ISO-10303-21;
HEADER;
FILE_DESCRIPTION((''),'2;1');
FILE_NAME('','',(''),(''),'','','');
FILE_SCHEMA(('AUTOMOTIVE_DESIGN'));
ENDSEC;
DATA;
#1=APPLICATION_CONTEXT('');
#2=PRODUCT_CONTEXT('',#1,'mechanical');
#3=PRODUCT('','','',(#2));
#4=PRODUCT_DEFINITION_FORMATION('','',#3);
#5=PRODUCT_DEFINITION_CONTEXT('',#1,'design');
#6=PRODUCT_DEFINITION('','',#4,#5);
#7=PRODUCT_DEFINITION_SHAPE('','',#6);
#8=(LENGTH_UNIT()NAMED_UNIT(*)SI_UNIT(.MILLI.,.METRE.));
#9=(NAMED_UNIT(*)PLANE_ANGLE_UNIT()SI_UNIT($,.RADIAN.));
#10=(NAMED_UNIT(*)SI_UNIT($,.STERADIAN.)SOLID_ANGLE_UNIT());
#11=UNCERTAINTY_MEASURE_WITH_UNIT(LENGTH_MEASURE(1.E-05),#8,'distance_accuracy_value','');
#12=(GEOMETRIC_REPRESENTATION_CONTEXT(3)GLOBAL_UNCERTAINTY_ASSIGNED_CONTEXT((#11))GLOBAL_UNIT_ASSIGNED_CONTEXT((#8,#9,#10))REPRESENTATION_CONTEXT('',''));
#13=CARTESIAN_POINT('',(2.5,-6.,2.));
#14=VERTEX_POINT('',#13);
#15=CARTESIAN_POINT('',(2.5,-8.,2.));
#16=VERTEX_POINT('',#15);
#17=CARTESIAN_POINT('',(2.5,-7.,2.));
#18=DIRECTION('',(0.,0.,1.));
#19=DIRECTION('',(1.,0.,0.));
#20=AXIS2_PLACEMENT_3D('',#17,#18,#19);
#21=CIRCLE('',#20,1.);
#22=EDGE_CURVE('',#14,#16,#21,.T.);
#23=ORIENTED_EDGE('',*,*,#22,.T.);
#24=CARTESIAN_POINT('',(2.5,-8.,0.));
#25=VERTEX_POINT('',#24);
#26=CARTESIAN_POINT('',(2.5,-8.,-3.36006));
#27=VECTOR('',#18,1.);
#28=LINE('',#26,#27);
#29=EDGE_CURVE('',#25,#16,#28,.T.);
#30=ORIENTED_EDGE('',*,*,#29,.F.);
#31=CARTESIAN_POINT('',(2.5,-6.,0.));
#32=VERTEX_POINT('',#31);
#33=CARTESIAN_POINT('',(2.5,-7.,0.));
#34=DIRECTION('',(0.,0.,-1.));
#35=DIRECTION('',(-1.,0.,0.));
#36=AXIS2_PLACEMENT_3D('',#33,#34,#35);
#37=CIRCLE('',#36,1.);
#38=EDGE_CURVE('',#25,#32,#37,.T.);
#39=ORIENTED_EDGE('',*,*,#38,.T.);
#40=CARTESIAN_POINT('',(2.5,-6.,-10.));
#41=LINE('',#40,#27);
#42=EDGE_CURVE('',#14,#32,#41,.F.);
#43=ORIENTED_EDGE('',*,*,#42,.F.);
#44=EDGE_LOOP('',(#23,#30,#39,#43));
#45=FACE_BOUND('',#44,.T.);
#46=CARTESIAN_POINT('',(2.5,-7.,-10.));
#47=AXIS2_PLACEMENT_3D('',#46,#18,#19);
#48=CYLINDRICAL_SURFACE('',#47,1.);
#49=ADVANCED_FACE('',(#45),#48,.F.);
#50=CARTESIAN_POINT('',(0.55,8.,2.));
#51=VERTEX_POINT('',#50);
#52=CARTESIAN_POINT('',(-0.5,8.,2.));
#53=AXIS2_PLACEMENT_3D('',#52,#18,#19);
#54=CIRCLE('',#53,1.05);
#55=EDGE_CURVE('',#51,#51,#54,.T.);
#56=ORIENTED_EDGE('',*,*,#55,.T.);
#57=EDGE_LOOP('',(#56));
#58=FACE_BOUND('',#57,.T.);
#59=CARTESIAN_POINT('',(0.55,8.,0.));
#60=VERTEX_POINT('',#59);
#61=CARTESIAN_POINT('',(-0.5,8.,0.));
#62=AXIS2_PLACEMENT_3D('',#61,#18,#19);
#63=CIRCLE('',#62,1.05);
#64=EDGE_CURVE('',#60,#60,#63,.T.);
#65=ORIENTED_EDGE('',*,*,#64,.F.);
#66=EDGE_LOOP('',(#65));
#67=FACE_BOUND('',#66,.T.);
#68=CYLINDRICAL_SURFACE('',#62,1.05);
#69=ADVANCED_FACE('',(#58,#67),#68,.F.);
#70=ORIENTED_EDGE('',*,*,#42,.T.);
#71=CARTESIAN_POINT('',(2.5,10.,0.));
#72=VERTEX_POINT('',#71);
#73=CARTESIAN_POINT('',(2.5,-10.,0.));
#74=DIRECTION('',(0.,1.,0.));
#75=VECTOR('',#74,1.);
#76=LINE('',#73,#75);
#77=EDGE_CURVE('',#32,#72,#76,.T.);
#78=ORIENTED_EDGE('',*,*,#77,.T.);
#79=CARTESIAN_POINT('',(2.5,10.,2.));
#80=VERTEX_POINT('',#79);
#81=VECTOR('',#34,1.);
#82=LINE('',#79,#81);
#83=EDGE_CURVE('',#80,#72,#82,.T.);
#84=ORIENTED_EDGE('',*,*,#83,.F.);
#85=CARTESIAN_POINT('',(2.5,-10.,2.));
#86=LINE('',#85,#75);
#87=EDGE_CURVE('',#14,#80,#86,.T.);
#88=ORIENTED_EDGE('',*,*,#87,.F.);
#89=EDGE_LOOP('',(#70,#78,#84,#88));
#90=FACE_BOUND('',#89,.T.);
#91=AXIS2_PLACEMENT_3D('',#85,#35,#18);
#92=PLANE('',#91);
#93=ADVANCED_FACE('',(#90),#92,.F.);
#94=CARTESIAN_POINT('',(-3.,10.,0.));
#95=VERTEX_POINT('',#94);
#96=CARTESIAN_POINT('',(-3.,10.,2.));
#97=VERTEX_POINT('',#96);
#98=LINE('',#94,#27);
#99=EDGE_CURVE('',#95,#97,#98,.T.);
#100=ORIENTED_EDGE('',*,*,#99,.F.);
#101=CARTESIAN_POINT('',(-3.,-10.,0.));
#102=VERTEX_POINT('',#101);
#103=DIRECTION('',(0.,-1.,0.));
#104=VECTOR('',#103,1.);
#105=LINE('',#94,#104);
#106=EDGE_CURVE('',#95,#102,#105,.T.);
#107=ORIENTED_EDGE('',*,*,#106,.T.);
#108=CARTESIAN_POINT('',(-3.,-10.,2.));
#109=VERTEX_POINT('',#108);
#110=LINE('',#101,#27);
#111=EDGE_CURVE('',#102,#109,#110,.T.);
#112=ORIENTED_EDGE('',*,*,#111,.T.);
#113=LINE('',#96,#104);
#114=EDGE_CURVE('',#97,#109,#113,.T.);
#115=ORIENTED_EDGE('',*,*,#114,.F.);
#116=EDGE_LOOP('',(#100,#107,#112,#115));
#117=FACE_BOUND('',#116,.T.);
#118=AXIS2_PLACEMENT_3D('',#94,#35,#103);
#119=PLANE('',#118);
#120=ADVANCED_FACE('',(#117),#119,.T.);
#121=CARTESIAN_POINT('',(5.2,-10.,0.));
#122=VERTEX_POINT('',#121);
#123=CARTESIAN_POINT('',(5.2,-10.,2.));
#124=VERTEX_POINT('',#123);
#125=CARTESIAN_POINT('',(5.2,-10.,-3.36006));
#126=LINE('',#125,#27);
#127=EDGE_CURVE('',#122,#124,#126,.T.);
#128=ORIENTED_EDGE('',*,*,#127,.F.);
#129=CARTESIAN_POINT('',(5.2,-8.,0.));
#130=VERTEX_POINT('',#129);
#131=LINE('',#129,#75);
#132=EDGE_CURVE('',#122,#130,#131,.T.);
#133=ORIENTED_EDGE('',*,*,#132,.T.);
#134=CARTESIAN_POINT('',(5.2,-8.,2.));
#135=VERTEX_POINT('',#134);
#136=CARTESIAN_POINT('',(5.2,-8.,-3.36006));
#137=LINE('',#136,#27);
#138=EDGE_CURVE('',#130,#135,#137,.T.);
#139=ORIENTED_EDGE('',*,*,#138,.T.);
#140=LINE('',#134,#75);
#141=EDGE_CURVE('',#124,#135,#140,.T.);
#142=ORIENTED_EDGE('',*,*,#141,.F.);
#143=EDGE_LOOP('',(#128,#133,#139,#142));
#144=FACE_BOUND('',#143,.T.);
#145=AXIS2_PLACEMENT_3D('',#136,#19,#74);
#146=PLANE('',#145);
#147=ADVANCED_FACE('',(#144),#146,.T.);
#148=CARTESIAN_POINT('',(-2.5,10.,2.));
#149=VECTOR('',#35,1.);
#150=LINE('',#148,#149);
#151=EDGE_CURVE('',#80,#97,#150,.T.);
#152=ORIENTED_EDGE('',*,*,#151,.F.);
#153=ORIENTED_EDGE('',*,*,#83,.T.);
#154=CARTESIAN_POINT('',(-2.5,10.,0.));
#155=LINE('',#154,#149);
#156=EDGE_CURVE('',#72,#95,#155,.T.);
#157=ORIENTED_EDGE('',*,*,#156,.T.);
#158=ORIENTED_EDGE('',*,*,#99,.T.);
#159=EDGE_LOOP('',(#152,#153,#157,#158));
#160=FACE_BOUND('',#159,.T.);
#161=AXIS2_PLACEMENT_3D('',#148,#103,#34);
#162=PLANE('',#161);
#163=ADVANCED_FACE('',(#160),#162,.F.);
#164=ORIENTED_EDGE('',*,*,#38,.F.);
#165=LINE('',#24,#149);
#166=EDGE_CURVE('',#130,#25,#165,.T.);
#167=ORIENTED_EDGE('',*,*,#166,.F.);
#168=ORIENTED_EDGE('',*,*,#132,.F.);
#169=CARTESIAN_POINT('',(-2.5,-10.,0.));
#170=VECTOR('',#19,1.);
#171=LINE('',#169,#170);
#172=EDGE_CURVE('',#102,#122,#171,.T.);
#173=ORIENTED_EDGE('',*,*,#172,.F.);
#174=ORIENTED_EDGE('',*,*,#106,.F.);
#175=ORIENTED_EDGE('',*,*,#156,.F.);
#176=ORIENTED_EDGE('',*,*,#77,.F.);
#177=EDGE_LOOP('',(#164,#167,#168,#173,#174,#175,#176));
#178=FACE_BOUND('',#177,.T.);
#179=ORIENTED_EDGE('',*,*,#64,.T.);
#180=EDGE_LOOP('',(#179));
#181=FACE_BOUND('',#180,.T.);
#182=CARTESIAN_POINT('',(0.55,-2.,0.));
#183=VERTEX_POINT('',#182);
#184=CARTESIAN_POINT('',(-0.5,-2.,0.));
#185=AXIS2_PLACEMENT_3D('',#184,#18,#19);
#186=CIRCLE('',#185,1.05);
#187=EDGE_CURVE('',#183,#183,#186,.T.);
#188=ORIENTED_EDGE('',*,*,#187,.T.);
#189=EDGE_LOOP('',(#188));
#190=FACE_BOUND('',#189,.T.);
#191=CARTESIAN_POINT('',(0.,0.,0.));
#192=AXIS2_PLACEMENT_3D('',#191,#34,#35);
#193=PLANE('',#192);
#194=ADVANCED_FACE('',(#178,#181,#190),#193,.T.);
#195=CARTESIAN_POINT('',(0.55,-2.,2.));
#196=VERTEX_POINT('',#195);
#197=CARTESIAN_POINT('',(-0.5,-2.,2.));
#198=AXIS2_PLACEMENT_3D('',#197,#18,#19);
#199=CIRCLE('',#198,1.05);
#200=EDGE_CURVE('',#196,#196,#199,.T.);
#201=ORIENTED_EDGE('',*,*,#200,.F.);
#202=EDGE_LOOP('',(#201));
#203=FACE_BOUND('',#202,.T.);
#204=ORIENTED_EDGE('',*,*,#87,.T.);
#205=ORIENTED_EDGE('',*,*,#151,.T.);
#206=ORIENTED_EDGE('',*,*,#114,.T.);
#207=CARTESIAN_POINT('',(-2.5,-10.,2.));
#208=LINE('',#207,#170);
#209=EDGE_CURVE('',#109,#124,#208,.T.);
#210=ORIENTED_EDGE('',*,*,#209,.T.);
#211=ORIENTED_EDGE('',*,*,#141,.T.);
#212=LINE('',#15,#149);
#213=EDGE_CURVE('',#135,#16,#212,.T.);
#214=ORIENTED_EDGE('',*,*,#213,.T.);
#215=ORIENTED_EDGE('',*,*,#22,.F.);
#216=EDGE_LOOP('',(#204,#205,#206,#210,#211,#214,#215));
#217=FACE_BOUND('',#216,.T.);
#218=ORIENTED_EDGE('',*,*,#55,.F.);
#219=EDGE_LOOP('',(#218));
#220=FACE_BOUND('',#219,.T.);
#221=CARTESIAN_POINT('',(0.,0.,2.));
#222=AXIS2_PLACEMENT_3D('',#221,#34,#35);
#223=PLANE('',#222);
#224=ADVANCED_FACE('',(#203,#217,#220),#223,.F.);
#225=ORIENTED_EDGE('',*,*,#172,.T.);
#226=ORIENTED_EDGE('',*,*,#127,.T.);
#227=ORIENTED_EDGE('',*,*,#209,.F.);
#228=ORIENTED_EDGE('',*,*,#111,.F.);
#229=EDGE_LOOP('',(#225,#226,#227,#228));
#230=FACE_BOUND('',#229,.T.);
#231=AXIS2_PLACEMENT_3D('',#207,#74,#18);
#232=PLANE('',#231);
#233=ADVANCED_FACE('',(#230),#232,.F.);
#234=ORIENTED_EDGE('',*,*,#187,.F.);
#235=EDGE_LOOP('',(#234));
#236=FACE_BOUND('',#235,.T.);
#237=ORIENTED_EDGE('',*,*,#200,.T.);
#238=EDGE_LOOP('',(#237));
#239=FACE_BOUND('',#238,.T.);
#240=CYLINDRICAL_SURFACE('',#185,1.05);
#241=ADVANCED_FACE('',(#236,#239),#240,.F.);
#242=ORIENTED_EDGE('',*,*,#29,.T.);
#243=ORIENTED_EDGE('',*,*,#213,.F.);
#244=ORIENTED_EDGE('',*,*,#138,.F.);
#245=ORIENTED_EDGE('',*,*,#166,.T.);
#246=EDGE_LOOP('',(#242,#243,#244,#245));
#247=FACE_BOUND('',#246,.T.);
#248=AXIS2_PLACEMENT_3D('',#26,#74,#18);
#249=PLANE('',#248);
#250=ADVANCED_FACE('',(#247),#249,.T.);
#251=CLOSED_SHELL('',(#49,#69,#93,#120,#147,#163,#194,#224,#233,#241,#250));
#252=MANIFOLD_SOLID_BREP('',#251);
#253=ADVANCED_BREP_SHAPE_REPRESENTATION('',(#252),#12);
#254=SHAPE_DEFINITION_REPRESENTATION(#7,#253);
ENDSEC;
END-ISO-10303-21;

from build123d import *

# Parameters (mm, degrees)
SKETCH_1_W          = 5
SKETCH_1_H          = 20
EXTRUDE_1_DEPTH     = 2
SKETCH_2_W          = 2.7
SKETCH_2_H          = 2
EXTRUDE_2_DEPTH     = 2
SKETCH_4_R          = 1.05
CUT_EXTRUDE_1_DEPTH = 2
SKETCH_5_R          = 1
CUT_EXTRUDE_2_DEPTH = 12
SKETCH_6_W          = 0.5
SKETCH_6_H          = 20
EXTRUDE_3_DEPTH     = 2


with BuildPart() as part:
    # 草图1 → 凸台-拉伸1 (new body)
    with BuildSketch(Plane.XY):
        Rectangle(SKETCH_1_W, SKETCH_1_H)
    extrude(amount=EXTRUDE_1_DEPTH)

    # 草图2 → 凸台-拉伸2 (add)
    with BuildSketch(Plane.XY.offset(2)):
        with Locations((3.85, -9)):
            Rectangle(SKETCH_2_W, SKETCH_2_H)
    extrude(amount=-EXTRUDE_2_DEPTH)

    # 草图4 → 切除-拉伸1 (cut)
    with BuildSketch(Plane.XY.offset(2)):
        with Locations((-0.5, -2)):
            Circle(SKETCH_4_R)
        with Locations((-0.5, 8)):
            Circle(SKETCH_4_R)
    extrude(amount=-CUT_EXTRUDE_1_DEPTH, mode=Mode.SUBTRACT)

    # 草图5 → 切除-拉伸2 (cut)
    with BuildSketch(Plane.XY.offset(2)):
        with Locations((2.5, -7)):
            Circle(SKETCH_5_R)
    extrude(amount=-CUT_EXTRUDE_2_DEPTH, mode=Mode.SUBTRACT)

    # 草图6 → 凸台-拉伸3 (add)
    with BuildSketch(Plane.XY.offset(2)):
        with Locations((-2.75, 0)):
            Rectangle(SKETCH_6_W, SKETCH_6_H)
    extrude(amount=-EXTRUDE_3_DEPTH)


solid = part.part
